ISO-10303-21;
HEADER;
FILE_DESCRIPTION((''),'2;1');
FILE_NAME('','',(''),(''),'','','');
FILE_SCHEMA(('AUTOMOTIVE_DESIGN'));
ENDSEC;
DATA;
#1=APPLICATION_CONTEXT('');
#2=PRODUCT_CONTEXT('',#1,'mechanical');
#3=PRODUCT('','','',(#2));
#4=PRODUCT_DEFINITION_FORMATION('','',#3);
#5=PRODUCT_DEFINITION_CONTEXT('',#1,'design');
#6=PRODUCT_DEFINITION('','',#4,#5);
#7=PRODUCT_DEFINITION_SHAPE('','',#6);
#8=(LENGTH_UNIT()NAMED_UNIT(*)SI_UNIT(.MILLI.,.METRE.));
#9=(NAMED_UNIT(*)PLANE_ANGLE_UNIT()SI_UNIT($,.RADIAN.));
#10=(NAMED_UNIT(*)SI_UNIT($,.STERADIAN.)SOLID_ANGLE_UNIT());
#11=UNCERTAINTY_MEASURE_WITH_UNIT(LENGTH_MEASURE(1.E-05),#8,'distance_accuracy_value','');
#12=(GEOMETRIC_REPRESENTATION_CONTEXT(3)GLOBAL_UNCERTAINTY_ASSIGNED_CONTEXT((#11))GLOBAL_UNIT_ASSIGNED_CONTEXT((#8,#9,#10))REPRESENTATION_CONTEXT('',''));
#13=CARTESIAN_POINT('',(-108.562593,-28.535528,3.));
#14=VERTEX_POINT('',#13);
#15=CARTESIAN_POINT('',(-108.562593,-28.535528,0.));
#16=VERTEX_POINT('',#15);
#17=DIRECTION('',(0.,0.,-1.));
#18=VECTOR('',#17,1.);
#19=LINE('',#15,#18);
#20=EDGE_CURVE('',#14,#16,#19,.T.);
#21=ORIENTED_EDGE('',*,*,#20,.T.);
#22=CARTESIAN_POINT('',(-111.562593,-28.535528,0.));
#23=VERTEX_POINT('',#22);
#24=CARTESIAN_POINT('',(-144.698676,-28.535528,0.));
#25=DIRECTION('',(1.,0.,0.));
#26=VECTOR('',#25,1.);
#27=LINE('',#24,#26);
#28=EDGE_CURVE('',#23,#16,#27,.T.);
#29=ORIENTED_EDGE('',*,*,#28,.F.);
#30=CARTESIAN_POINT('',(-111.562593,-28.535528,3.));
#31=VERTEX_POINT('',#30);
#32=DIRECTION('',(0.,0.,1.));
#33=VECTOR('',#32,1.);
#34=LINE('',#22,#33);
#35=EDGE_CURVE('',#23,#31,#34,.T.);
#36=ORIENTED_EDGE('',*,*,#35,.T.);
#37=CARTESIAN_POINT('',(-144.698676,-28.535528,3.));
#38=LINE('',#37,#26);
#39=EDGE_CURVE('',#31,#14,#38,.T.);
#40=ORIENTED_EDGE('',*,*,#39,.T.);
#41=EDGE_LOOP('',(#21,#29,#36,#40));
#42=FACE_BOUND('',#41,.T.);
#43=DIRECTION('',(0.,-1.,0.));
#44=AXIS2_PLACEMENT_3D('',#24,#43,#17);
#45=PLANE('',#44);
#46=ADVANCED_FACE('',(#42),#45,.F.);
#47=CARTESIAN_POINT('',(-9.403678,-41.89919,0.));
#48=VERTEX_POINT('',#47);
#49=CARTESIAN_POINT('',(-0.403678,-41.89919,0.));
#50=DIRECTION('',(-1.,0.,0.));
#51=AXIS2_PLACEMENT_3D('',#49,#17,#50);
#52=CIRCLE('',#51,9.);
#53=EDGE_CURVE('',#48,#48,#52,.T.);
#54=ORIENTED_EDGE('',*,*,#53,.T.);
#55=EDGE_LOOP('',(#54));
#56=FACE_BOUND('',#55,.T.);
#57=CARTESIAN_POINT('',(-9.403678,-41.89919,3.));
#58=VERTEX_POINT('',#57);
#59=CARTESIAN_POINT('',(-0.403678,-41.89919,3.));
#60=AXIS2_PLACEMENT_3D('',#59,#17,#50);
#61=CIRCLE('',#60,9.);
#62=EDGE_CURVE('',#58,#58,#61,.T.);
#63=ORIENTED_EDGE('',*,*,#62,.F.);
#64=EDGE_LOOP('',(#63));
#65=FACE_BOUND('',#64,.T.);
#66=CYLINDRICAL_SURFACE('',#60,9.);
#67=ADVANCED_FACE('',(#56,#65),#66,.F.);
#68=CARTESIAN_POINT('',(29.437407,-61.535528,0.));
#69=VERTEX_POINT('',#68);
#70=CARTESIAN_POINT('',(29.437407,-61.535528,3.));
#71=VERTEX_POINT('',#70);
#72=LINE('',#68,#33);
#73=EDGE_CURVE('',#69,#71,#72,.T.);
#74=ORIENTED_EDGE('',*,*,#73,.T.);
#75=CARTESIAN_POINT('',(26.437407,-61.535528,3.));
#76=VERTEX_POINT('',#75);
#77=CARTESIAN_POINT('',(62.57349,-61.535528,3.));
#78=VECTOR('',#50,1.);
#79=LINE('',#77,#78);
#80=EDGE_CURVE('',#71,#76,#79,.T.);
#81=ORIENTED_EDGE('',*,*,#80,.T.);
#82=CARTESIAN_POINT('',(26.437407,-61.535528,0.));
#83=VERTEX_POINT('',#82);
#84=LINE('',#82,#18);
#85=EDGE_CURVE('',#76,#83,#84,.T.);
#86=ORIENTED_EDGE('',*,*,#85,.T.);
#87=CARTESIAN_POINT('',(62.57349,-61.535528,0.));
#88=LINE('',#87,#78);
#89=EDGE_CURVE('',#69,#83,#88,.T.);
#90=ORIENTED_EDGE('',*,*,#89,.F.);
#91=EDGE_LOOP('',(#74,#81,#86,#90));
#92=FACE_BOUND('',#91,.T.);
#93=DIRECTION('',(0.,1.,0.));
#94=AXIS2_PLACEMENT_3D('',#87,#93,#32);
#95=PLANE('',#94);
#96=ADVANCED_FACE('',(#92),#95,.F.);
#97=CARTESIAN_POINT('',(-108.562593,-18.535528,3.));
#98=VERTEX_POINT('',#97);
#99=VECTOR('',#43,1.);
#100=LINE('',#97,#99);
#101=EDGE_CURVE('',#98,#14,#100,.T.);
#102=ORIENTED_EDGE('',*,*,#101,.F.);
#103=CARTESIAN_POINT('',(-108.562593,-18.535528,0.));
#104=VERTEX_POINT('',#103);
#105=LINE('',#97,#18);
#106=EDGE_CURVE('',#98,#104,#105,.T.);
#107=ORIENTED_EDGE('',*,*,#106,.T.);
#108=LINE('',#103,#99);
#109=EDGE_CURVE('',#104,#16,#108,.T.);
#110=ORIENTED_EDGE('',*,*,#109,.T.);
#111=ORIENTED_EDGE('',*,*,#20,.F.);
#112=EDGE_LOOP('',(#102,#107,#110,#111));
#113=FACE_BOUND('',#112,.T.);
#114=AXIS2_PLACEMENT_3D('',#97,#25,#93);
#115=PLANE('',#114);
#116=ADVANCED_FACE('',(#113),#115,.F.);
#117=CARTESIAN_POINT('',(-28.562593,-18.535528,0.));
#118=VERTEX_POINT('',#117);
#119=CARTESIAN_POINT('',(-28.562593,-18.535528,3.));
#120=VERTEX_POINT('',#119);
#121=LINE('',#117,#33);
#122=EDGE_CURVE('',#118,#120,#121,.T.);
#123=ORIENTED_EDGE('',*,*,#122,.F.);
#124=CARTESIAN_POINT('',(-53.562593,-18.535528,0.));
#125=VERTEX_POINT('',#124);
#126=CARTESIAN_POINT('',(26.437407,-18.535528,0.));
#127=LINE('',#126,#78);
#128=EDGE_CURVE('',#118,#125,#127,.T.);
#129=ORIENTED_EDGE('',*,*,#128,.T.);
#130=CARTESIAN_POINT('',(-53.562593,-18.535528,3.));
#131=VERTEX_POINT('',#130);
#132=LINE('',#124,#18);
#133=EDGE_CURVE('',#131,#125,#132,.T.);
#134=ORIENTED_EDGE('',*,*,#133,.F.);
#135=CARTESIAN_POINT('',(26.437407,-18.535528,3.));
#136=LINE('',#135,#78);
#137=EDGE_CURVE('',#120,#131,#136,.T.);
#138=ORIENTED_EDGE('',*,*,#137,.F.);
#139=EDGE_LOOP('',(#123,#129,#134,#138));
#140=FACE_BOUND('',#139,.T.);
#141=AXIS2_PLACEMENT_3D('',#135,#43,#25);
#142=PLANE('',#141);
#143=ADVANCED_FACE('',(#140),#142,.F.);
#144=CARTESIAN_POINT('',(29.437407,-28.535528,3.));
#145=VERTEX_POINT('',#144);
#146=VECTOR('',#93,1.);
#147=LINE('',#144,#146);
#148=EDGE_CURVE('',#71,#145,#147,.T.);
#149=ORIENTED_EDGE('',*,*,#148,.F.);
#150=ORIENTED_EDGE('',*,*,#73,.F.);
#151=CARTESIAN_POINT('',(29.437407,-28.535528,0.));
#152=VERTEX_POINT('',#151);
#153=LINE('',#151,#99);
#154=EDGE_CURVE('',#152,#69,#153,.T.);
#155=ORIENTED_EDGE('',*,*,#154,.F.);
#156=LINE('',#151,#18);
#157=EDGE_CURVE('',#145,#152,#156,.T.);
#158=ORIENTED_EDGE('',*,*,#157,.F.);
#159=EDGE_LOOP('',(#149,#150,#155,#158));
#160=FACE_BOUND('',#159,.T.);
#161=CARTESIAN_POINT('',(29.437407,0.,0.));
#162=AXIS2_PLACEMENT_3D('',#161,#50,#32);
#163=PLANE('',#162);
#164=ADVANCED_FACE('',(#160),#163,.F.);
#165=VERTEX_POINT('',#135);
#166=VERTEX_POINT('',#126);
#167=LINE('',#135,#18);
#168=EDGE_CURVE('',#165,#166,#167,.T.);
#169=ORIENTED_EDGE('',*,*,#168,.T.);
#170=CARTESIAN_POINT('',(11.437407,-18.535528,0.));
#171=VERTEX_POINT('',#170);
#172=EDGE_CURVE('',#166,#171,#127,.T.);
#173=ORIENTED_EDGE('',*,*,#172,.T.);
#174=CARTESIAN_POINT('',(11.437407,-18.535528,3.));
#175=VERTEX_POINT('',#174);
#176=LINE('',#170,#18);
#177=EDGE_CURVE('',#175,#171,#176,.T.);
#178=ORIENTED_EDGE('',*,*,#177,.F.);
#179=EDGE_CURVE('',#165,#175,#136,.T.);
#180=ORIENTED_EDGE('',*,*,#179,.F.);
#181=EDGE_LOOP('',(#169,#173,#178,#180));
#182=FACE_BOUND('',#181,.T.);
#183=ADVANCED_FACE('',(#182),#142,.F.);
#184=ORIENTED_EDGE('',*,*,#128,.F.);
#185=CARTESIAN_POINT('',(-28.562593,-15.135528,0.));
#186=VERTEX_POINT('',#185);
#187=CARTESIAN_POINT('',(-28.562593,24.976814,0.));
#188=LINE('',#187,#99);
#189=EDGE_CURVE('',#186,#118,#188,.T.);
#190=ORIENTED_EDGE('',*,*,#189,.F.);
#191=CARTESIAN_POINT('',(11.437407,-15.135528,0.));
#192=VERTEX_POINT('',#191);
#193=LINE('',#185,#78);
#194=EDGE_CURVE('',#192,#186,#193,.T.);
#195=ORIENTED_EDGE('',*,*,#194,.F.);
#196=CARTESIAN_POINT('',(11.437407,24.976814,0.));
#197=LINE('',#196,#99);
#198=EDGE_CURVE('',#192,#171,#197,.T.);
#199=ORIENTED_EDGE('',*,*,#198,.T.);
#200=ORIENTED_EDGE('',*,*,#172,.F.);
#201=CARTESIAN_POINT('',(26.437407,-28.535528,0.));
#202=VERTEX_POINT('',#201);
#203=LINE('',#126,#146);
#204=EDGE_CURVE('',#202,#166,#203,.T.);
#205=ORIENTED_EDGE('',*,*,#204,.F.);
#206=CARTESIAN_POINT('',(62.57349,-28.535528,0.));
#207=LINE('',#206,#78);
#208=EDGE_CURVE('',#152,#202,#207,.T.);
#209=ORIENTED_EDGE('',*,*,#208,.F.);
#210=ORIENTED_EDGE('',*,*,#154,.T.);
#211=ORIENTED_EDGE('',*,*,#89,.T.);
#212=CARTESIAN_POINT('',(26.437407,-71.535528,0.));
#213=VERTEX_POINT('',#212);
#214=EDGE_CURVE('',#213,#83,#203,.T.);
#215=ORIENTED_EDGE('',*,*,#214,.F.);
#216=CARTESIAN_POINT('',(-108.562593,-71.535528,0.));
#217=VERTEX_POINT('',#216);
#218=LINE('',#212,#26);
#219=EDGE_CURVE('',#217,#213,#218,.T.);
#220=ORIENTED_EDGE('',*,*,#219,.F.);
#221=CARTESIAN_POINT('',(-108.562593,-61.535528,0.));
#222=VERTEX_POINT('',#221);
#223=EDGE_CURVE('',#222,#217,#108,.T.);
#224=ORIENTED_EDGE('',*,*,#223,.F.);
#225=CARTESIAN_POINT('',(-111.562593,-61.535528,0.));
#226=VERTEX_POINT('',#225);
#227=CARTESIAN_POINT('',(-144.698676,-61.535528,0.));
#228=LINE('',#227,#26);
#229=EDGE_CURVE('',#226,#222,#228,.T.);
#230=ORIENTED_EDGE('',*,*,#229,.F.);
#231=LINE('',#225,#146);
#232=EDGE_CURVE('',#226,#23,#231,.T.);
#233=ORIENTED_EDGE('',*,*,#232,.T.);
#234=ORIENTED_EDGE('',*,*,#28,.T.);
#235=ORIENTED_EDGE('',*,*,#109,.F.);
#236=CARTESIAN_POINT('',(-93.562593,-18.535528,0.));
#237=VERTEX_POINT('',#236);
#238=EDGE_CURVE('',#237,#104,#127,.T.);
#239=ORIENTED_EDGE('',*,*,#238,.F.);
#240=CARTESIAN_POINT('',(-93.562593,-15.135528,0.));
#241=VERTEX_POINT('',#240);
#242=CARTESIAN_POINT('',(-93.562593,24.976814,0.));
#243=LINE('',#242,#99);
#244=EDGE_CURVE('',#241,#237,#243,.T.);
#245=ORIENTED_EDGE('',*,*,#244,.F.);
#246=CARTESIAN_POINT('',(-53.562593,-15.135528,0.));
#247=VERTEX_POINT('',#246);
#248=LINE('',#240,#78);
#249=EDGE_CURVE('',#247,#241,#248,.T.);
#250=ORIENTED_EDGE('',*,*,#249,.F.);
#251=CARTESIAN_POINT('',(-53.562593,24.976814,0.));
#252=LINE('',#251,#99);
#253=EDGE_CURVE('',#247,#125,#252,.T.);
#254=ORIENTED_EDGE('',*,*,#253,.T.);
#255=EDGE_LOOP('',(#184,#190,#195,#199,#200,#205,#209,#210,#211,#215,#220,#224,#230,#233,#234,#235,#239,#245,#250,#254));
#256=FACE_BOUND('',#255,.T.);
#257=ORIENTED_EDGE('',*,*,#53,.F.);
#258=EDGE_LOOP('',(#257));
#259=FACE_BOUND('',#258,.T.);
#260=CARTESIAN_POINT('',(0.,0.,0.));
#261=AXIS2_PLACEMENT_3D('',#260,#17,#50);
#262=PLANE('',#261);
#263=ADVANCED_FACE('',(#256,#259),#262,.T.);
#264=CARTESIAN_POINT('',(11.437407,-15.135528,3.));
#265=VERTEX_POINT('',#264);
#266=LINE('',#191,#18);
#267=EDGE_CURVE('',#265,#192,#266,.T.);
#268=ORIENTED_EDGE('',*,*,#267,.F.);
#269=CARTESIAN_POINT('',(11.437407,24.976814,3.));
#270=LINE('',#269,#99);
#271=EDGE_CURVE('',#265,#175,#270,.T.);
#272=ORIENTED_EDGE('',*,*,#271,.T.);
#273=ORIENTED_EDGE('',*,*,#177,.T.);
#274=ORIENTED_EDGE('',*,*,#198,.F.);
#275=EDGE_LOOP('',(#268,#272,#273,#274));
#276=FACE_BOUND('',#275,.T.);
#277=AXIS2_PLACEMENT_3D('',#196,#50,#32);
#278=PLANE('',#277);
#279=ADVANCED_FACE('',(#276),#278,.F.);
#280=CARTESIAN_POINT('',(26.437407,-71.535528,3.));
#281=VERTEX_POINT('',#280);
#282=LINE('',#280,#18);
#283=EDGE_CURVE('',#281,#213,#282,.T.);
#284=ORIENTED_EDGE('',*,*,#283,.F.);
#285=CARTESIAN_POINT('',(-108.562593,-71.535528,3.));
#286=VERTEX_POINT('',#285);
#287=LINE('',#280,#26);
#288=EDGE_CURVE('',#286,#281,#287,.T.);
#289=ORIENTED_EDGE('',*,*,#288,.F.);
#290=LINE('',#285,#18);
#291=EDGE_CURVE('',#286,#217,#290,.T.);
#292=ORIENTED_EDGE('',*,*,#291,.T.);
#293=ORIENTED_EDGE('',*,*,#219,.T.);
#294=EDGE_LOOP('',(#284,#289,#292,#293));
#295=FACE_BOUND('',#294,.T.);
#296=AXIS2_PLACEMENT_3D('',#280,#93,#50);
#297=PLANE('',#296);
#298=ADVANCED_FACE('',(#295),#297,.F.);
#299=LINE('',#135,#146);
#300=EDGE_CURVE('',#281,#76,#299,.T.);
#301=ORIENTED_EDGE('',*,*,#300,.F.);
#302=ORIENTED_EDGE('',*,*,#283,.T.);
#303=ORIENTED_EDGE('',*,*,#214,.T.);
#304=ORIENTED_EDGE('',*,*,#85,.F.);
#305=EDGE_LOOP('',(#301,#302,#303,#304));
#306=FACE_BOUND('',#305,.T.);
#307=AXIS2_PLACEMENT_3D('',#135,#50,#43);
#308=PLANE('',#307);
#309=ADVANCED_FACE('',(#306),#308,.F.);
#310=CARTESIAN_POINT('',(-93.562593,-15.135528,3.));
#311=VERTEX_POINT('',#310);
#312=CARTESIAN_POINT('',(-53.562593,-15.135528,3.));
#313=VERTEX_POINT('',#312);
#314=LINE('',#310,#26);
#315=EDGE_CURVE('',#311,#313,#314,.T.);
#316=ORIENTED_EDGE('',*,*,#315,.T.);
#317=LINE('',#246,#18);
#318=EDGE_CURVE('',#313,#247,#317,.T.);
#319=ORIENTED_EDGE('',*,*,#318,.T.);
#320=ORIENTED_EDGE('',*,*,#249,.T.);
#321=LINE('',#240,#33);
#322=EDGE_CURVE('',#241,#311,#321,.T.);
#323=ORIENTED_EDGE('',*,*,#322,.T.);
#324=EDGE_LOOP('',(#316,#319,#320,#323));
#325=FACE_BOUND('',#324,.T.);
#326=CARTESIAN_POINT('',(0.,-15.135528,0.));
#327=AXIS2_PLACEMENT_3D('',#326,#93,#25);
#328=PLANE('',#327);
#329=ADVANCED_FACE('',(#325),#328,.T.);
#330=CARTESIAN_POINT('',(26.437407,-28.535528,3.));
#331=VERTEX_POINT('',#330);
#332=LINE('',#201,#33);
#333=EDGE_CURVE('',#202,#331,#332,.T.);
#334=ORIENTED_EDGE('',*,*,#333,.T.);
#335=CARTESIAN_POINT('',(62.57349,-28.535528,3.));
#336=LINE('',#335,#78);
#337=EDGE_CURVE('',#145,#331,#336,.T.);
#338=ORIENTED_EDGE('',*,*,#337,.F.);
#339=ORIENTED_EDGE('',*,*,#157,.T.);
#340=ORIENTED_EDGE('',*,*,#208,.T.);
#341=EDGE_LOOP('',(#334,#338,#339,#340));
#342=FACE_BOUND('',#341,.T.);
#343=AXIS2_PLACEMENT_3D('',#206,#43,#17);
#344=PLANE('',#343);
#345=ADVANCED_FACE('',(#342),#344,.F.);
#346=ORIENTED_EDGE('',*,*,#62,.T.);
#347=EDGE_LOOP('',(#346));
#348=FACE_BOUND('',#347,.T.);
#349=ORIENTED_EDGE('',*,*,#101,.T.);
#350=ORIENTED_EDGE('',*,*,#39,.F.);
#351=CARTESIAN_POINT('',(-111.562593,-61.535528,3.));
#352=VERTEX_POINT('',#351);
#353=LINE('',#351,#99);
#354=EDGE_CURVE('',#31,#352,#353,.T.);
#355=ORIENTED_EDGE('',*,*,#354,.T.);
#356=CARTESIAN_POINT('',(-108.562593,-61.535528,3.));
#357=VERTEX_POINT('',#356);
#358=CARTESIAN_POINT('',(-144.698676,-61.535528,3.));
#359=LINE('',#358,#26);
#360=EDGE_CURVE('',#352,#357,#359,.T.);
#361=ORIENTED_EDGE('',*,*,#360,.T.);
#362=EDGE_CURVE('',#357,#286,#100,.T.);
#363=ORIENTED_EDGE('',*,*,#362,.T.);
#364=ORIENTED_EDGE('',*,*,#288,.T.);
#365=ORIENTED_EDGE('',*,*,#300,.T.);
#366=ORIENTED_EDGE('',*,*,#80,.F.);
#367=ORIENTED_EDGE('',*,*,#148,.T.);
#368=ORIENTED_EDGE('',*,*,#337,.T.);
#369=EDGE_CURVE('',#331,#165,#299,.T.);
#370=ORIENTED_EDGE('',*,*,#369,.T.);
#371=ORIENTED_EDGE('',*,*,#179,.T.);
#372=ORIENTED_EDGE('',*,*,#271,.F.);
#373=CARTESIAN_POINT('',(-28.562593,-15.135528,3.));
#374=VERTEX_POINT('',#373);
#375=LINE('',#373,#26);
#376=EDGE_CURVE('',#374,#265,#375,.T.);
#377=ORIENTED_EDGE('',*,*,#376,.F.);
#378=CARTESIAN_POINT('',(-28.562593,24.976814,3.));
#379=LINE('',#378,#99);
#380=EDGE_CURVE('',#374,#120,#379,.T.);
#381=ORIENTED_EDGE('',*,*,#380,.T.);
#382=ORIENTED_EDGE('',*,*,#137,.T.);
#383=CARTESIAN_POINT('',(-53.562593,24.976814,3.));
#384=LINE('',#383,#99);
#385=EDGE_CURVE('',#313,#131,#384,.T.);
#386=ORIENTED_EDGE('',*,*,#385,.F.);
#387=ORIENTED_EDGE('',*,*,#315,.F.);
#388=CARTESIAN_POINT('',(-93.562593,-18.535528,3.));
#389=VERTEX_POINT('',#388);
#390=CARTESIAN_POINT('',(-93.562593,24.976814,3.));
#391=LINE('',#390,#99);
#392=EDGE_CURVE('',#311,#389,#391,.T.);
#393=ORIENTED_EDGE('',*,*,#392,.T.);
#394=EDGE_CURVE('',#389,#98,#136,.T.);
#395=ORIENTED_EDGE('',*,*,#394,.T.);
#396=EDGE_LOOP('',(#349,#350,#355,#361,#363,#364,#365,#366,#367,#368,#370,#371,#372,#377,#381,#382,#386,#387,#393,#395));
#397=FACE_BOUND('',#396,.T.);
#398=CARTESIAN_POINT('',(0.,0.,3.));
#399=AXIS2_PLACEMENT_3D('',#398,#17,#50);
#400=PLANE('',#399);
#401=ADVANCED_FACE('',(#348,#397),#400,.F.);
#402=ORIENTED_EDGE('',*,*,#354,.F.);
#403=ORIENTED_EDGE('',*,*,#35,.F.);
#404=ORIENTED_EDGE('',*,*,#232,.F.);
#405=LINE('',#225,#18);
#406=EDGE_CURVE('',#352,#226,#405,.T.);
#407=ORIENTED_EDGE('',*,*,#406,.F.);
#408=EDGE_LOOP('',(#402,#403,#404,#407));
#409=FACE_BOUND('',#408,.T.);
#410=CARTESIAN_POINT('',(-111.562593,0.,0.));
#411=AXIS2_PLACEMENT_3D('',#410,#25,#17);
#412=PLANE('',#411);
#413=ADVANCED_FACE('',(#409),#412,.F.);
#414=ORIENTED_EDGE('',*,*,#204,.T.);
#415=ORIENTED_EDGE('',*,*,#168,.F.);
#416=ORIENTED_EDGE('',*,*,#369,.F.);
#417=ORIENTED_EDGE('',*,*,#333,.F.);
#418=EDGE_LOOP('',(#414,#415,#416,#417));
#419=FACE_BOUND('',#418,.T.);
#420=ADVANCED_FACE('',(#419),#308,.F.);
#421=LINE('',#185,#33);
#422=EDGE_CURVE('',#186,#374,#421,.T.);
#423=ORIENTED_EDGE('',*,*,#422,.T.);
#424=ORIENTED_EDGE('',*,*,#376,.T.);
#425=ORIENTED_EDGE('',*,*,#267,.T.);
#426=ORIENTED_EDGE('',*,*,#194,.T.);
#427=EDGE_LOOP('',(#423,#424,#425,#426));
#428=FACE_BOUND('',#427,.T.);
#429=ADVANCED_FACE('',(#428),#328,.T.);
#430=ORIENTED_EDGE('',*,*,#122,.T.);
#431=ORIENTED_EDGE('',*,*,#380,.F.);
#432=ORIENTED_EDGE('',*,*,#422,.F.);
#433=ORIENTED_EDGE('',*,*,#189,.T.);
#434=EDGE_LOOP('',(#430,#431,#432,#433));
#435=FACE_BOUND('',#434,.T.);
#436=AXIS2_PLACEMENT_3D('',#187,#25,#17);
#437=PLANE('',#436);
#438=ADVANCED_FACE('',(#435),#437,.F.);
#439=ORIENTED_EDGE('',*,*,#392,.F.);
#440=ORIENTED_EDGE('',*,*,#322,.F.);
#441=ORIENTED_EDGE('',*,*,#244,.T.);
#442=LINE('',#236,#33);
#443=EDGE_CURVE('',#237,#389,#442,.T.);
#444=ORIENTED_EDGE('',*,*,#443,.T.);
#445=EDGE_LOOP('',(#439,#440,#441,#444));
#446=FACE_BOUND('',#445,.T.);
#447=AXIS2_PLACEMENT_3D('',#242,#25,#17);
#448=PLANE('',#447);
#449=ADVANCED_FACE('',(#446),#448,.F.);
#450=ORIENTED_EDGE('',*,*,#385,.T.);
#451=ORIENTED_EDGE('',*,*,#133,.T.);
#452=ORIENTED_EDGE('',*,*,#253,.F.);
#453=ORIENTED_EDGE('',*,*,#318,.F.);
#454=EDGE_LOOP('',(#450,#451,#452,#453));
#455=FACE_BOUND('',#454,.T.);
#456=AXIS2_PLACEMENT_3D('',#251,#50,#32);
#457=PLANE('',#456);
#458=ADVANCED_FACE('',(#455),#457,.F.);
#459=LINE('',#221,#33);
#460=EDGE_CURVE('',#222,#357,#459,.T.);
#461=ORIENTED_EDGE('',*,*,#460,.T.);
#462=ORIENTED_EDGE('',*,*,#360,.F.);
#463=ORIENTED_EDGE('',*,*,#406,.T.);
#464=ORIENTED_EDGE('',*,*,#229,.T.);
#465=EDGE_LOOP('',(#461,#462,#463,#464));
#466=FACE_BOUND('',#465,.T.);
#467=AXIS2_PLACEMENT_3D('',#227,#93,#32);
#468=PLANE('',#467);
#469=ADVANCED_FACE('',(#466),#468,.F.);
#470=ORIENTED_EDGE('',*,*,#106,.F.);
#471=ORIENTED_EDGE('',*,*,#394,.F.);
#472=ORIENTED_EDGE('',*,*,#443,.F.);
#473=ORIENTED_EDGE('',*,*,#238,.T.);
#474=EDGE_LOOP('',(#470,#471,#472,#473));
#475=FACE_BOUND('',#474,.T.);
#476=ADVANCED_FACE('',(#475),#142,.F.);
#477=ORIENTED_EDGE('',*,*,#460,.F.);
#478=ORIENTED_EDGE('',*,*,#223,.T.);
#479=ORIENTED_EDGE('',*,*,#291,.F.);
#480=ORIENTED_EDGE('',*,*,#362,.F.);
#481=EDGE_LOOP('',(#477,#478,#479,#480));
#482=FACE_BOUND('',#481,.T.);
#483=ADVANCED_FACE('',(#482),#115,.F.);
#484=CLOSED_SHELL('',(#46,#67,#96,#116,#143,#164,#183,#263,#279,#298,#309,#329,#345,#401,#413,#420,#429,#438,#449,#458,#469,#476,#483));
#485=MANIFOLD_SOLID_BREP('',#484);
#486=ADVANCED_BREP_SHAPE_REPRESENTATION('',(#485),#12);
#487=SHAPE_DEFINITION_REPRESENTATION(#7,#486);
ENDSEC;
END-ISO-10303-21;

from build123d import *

# Parameters (mm, degrees)
ESQUISSE1_W             = 135
ESQUISSE1_H             = 53
BOSS_EXTRU_1_DEPTH      = 3
ESQUISSE2_R             = 9
ENL_V_MAT_EXTRU_1_DEPTH = 4
ESQUISSE3_W             = 3
ESQUISSE3_H             = 33
BOSS_EXTRU_2_DEPTH      = 3
ESQUISSE4_W             = 3
ESQUISSE4_H             = 33
BOSS_EXTRU_3_DEPTH      = 3
ESQUISSE5_W             = 40
ESQUISSE5_H             = 3
BOSS_EXTRU_4_DEPTH      = 3.4
ESQUISSE6_W             = 40
ESQUISSE6_H             = 3
BOSS_EXTRU_5_DEPTH      = 3.4


with BuildPart() as part:
    # Esquisse1 → Boss.-Extru.1 (new body)
    with BuildSketch(Plane.XY):
        with Locations((-41.062592566, -45.035528327)):
            Rectangle(ESQUISSE1_W, ESQUISSE1_H)
    extrude(amount=BOSS_EXTRU_1_DEPTH)

    # Esquisse2 → Enlèv. mat.-Extru.1 (cut, through all)
    with BuildSketch(Plane(origin=(0, 0, 0), x_dir=(-1, 0, 0), z_dir=(0, 0, -1))):
        with Locations((0.403677713, -41.89919031)):
            Circle(ESQUISSE2_R)
    extrude(amount=-ENL_V_MAT_EXTRU_1_DEPTH, mode=Mode.SUBTRACT)

    # Esquisse3 → Boss.-Extru.2 (add)
    with BuildSketch(Plane(origin=(26.437407434, 0, 0), x_dir=(0, 0, -1), z_dir=(1, 0, 0))):
        with Locations((-1.5, -45.035528327)):
            Rectangle(ESQUISSE3_W, ESQUISSE3_H)
    extrude(amount=BOSS_EXTRU_2_DEPTH)

    # Esquisse4 → Boss.-Extru.3 (add)
    with BuildSketch(Plane.ZY.offset(108.562592566)):
        with Locations((1.5, -45.035528327)):
            Rectangle(ESQUISSE4_W, ESQUISSE4_H)
    extrude(amount=BOSS_EXTRU_3_DEPTH)

    # Esquisse5 → Boss.-Extru.4 (add)
    with BuildSketch(Plane(origin=(0, -18.535528327, 0), x_dir=(1, 0, 0), z_dir=(0, 1, 0))):
        with Locations((-73.562592566, -1.5)):
            Rectangle(ESQUISSE5_W, ESQUISSE5_H)
    extrude(amount=BOSS_EXTRU_4_DEPTH)

    # Esquisse6 → Boss.-Extru.5 (add)
    with BuildSketch(Plane(origin=(0, -18.535528327, 0), x_dir=(1, 0, 0), z_dir=(0, 1, 0))):
        with Locations((-8.562592566, -1.5)):
            Rectangle(ESQUISSE6_W, ESQUISSE6_H)
    extrude(amount=BOSS_EXTRU_5_DEPTH)


solid = part.part
